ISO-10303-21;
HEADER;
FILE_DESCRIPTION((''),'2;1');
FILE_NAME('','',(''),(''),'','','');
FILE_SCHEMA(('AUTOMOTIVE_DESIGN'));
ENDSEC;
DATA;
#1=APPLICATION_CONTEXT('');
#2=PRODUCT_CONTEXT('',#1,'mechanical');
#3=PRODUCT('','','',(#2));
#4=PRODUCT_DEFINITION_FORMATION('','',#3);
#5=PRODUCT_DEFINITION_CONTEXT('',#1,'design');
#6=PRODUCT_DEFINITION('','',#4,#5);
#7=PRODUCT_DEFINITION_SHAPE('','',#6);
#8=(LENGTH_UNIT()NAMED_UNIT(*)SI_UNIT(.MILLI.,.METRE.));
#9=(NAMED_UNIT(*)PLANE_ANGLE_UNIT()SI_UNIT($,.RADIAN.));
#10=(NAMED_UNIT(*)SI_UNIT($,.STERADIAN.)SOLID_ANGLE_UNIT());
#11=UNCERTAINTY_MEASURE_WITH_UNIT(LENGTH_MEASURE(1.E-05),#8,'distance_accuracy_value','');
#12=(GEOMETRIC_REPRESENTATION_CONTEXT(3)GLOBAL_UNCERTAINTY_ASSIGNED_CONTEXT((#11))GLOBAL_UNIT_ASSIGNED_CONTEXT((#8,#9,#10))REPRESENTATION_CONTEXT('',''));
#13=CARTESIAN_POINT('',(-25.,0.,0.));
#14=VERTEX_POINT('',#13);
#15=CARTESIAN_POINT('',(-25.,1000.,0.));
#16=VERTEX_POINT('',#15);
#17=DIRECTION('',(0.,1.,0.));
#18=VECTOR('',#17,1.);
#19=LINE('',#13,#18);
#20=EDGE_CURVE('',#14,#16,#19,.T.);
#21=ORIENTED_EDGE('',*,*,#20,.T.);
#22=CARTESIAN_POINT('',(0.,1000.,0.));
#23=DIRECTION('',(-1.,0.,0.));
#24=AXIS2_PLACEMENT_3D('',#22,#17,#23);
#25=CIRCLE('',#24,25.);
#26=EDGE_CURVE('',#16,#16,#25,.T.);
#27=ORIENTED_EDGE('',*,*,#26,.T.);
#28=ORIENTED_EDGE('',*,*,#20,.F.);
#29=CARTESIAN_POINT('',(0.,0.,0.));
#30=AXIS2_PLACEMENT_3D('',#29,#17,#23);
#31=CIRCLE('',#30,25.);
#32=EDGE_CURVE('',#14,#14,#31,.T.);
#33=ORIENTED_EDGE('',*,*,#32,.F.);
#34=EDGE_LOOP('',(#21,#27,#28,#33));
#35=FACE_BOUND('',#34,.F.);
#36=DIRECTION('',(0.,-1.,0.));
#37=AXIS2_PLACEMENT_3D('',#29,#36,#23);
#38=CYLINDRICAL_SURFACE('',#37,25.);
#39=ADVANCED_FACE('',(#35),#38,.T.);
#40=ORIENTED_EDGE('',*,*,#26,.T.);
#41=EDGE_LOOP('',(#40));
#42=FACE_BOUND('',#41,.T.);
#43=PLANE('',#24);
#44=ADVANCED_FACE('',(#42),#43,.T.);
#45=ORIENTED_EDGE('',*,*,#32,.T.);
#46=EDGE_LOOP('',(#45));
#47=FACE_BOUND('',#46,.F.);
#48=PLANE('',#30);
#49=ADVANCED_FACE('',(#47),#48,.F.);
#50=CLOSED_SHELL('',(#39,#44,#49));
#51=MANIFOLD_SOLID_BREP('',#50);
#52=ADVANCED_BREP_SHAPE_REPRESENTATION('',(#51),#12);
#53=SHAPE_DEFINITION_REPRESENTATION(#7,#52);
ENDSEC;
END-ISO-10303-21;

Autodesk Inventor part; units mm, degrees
ref_plane "YZ Plane" through (0, 0, 0) normal (1, 0, 0) x (0, 1, 0)
ref_plane "XZ Plane" through (0, 0, 0) normal (0, 1, 0) x (-1, 0, 0)
ref_plane "XY Plane" through (0, 0, 0) normal (0, 0, 1) x (1, 0, 0)
sketch "Sketch1" plane through (0, 0, 0) normal (0, 1, 0) x (-1, 0, 0)
  circle A0 centre (0, 0) radius 25
  dimension "d0" = 50
extrude "Extrusion1" add sketch "Sketch1" along normal blind 1000
properties part number "GantryDeneme"
